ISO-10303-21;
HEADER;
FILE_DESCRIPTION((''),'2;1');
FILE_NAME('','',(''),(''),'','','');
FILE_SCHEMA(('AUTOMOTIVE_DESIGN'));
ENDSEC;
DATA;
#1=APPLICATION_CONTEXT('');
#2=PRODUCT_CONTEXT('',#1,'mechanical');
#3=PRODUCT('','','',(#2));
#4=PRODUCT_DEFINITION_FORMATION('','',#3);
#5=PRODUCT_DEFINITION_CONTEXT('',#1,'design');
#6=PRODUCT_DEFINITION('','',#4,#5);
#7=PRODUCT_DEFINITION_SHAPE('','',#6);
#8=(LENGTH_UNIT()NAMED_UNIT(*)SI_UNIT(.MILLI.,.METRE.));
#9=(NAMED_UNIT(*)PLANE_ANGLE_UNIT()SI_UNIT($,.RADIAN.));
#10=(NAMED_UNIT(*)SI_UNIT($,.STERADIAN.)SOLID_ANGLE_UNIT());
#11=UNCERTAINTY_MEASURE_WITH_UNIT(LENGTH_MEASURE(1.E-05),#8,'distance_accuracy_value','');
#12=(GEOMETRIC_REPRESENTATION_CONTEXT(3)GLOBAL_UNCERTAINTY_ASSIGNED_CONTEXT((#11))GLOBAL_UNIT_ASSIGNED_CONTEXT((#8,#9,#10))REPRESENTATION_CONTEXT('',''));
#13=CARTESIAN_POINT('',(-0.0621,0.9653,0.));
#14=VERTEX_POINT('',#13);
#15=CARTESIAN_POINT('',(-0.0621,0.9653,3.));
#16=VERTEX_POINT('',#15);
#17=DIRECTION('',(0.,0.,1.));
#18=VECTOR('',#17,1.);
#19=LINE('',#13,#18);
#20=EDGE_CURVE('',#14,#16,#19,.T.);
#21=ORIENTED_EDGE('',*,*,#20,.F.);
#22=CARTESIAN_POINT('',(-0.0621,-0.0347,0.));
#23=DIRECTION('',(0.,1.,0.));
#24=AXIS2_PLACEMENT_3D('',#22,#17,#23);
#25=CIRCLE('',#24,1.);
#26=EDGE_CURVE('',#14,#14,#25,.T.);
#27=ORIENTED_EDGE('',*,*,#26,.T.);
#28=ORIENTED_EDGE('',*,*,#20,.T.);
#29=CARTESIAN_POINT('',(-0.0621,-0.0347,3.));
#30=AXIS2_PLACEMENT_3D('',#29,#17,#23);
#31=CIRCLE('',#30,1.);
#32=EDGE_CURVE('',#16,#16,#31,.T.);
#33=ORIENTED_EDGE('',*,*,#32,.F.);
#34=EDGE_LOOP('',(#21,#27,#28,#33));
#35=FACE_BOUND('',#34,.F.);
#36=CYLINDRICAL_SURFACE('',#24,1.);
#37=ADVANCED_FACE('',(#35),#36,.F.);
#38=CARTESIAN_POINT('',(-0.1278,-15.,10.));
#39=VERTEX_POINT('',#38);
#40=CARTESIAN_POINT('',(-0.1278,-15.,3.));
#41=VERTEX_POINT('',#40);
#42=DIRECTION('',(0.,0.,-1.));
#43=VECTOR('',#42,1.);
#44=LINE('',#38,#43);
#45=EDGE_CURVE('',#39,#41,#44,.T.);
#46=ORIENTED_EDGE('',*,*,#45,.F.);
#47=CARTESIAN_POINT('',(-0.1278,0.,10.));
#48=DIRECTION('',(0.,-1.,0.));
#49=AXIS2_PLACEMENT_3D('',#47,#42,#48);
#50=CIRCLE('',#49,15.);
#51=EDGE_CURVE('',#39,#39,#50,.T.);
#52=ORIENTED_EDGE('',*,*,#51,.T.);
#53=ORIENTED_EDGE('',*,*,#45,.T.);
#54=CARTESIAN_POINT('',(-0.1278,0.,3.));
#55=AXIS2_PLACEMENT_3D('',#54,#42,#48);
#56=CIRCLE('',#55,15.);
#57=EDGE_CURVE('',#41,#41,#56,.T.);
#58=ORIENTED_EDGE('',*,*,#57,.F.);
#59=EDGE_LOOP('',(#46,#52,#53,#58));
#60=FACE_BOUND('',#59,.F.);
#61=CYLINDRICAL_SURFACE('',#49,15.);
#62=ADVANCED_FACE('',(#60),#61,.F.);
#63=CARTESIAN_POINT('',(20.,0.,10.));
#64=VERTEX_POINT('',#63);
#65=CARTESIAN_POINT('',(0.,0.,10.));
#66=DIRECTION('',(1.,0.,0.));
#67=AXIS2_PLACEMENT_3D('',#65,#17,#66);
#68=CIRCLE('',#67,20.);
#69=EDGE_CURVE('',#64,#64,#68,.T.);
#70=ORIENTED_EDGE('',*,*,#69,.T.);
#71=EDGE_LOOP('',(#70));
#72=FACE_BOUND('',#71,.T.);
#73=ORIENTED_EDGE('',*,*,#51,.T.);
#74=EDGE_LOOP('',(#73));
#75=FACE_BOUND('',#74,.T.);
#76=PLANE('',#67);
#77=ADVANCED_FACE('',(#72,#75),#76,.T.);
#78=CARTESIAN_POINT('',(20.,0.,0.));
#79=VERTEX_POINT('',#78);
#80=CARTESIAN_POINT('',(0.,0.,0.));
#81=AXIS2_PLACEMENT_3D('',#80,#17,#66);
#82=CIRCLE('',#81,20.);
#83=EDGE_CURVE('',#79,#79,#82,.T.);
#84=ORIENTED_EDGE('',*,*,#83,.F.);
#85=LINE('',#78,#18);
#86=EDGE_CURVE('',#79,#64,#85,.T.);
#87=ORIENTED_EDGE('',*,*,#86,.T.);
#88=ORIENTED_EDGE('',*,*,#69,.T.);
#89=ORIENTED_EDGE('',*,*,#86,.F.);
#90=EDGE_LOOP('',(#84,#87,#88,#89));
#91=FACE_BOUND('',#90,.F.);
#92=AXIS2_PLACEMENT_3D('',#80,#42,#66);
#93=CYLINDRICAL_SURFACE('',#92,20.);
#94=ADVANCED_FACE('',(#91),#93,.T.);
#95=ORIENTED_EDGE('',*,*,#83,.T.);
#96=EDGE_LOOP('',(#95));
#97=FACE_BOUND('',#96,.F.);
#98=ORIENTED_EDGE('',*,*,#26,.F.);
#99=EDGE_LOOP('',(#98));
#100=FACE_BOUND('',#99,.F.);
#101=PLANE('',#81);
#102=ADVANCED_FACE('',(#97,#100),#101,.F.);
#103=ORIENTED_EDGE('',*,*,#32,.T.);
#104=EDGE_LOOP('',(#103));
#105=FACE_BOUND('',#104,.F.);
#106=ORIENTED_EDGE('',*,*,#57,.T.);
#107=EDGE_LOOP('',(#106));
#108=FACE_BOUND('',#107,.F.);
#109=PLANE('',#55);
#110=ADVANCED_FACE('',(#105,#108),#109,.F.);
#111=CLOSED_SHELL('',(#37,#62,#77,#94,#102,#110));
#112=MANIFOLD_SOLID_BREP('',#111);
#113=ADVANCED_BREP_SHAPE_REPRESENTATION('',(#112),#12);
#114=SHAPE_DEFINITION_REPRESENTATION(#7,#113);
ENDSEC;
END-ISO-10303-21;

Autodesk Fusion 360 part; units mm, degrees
sketch "Sketch1" plane through (0, 0, 0) normal (0, 0, 1) x (1, 0, 0)
  circle A0 centre (0, 0) radius 20
extrude "Extrude1" add sketch "Sketch1" along normal blind 10
hole "Hole1" at (-0.1278, 0, 10) direction (0, 0, -1) diameter 30 depth 7 tip angle 180
hole "Hole2" at (-0.0621, -0.0347, 0) direction (0, 0, 1) diameter 2 depth 7 tip angle 180
